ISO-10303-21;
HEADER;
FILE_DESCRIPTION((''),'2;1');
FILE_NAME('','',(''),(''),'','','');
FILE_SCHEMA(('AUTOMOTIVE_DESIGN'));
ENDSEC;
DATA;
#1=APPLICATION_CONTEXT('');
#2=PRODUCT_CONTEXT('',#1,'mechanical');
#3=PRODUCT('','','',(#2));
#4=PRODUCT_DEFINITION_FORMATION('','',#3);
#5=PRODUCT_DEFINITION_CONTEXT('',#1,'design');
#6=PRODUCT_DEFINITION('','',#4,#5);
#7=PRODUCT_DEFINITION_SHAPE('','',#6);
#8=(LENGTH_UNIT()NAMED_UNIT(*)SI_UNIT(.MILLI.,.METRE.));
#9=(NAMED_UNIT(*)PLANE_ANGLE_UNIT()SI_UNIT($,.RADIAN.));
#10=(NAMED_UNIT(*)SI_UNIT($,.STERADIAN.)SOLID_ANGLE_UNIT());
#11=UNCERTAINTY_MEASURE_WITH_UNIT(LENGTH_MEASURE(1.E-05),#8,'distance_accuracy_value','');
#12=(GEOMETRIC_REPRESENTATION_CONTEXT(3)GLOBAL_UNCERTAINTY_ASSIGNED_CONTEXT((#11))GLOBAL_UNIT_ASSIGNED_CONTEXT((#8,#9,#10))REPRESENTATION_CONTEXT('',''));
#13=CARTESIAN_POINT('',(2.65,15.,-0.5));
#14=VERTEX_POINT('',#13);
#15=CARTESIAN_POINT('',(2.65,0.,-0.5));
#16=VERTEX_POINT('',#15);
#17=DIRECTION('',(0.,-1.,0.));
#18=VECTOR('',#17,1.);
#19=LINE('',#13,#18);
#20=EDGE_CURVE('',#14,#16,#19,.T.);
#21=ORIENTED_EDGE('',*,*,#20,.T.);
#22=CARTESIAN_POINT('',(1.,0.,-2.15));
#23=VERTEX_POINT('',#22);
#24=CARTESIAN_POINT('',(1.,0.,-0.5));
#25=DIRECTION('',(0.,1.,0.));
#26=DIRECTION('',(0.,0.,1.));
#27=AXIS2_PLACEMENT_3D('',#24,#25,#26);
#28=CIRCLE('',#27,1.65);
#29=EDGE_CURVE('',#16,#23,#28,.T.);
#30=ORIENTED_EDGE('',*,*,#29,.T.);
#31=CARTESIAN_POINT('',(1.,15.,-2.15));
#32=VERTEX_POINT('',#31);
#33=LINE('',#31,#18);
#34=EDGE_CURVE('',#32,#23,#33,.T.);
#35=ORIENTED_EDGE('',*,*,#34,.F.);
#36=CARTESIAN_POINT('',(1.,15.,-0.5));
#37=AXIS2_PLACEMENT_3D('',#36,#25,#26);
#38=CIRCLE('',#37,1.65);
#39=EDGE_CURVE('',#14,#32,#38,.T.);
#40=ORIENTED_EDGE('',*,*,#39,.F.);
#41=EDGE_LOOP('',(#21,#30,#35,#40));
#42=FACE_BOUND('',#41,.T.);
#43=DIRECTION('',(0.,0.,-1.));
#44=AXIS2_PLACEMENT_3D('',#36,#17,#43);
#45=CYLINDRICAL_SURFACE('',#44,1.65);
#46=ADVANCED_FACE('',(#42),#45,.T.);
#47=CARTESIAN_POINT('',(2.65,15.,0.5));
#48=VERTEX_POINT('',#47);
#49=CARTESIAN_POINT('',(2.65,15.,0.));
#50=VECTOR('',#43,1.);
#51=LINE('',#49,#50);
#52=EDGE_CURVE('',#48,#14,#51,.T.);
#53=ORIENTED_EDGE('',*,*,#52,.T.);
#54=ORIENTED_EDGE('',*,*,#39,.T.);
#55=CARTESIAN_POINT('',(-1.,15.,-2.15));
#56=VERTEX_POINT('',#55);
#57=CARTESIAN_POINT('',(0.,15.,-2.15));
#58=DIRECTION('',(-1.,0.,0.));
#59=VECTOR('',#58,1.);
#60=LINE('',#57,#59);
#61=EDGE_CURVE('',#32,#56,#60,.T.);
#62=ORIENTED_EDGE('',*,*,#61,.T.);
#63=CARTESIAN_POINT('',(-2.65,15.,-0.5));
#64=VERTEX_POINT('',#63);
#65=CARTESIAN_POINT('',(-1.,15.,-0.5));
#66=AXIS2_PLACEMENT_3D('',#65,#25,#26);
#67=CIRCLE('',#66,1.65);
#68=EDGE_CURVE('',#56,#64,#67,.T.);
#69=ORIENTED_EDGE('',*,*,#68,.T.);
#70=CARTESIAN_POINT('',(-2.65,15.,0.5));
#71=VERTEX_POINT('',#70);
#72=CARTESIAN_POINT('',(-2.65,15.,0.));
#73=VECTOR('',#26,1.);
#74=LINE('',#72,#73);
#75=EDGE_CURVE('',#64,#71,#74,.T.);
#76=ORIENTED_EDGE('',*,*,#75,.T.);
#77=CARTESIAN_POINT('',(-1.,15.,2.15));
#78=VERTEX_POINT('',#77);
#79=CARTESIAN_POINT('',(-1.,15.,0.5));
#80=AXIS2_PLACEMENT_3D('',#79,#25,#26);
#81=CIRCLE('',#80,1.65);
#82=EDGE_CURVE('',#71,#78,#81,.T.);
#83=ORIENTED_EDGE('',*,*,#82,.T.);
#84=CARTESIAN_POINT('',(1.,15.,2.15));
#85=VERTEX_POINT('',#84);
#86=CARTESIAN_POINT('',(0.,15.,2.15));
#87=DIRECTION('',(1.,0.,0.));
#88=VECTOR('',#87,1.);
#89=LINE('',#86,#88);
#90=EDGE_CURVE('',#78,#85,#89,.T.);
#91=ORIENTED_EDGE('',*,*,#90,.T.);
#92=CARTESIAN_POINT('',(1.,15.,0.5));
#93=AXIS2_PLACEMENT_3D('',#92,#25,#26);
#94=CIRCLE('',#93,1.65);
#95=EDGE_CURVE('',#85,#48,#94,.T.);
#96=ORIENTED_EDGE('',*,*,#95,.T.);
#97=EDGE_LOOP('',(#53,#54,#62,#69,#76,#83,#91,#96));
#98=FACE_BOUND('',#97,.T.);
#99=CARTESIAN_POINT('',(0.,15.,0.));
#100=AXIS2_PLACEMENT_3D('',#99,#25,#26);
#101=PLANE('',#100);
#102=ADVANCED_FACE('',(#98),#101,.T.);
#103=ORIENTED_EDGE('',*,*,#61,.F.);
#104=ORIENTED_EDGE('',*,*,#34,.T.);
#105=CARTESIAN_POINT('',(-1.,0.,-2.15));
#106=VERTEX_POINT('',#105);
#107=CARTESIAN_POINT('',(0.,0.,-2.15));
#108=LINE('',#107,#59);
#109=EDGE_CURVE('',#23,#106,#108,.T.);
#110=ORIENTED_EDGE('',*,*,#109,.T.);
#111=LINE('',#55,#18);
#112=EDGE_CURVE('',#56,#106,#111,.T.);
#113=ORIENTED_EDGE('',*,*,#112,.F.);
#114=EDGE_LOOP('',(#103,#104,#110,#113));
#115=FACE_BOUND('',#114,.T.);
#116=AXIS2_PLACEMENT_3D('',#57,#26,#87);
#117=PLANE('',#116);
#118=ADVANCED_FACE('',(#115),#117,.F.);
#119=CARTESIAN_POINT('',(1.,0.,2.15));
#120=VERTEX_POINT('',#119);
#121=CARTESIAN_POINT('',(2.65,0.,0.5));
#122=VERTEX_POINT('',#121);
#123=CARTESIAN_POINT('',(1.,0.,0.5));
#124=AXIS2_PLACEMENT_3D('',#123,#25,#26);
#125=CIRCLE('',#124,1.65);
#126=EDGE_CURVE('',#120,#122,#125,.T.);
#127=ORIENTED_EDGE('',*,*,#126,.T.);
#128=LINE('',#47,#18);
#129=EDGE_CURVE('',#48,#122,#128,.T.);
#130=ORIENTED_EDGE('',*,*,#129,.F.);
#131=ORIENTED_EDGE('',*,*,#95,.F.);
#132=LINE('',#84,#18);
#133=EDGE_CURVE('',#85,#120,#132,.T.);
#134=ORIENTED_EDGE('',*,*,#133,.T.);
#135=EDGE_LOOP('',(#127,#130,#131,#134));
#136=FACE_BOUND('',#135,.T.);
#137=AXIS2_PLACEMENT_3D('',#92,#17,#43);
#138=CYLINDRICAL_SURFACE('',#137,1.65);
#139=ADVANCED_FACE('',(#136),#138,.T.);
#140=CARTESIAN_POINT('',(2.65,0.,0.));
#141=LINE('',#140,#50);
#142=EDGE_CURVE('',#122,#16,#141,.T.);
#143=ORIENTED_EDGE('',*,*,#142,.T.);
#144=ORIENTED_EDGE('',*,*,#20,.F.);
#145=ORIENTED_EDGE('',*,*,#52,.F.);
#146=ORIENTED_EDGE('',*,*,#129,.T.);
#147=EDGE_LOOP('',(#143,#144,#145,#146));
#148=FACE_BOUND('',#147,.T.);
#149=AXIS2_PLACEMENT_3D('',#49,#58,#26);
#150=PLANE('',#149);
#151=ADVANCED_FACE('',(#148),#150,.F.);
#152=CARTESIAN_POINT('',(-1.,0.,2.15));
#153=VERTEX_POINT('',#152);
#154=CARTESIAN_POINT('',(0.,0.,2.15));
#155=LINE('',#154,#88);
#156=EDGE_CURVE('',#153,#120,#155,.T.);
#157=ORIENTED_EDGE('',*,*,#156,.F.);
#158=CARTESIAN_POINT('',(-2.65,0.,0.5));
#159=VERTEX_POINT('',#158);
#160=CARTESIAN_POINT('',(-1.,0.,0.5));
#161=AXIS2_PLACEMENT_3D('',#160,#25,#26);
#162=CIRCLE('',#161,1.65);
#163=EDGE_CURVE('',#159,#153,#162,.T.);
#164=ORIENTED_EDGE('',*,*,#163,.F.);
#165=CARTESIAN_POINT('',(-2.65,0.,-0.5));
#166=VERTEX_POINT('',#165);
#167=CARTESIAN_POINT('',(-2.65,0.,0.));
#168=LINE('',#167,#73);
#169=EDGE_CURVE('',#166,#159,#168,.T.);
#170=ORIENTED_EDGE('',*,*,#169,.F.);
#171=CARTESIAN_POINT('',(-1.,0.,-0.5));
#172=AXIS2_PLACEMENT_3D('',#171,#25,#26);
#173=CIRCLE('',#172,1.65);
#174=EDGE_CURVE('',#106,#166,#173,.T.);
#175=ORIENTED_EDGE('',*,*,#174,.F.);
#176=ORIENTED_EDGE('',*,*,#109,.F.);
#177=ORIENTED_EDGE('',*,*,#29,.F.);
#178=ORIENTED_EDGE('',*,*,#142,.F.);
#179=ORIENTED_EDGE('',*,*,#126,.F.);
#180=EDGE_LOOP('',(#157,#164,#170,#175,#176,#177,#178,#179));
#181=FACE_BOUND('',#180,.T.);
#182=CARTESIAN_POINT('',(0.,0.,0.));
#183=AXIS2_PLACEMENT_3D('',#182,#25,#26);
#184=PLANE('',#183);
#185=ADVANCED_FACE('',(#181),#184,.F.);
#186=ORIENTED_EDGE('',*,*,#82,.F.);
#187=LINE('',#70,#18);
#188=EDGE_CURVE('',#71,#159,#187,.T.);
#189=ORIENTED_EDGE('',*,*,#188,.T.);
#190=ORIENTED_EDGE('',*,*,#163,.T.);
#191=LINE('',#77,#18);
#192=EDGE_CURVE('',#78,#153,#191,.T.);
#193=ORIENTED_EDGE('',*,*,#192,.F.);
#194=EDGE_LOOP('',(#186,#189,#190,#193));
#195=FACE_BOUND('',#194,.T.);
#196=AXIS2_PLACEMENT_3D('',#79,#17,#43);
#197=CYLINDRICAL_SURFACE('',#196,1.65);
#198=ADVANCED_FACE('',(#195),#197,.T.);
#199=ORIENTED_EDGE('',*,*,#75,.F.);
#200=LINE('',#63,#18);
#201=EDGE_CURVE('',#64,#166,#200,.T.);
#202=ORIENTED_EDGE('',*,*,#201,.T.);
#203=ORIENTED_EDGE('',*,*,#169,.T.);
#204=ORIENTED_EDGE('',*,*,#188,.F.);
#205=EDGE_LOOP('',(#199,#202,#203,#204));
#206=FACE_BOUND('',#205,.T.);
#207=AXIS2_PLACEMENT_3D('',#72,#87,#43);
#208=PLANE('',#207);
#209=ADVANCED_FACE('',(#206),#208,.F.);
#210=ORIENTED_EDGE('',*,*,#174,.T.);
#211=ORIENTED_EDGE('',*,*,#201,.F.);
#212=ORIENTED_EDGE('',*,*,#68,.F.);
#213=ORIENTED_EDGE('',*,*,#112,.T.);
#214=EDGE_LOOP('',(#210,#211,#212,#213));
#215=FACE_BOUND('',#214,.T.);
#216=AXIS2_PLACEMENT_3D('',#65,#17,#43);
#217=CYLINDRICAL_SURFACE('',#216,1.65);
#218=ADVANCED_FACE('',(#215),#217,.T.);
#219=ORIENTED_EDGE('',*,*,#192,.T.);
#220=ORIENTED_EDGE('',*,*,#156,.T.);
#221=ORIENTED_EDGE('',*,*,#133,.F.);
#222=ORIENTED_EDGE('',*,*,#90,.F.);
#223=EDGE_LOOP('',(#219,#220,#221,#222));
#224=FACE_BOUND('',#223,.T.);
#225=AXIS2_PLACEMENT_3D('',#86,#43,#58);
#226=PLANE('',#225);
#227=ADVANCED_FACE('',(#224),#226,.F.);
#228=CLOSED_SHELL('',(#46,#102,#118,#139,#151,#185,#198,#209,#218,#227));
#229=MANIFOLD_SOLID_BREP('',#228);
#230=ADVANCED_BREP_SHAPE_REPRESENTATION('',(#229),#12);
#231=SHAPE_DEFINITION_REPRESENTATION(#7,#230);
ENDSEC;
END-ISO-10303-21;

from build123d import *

# Parameters (mm, degrees)
BOSS_EXTRUDE3_DEPTH = 15


with BuildPart() as part:
    # Sketch1 → Boss-Extrude3 (new body)
    with BuildSketch(Plane(origin=(0, 0, 0), x_dir=(1, 0, 0), z_dir=(0, 1, 0))):
        with BuildLine():
            Line((2.65, -0.5), (2.65, 0.5))
            ThreePointArc((2.65, 0.5), (2.166726189, 1.666726189), (1, 2.15))
            Line((1, 2.15), (-1, 2.15))
            ThreePointArc((-1, 2.15), (-2.166726189, 1.666726189), (-2.65, 0.5))
            Line((-2.65, 0.5), (-2.65, -0.5))
            ThreePointArc((-2.65, -0.5), (-2.166726173, -1.666726205), (-0.999999956, -2.15))
            Line((-0.999999956, -2.15), (1, -2.15))
            ThreePointArc((1, -2.15), (2.166726189, -1.666726189), (2.65, -0.5))
        make_face()
    extrude(amount=BOSS_EXTRUDE3_DEPTH)


solid = part.part
